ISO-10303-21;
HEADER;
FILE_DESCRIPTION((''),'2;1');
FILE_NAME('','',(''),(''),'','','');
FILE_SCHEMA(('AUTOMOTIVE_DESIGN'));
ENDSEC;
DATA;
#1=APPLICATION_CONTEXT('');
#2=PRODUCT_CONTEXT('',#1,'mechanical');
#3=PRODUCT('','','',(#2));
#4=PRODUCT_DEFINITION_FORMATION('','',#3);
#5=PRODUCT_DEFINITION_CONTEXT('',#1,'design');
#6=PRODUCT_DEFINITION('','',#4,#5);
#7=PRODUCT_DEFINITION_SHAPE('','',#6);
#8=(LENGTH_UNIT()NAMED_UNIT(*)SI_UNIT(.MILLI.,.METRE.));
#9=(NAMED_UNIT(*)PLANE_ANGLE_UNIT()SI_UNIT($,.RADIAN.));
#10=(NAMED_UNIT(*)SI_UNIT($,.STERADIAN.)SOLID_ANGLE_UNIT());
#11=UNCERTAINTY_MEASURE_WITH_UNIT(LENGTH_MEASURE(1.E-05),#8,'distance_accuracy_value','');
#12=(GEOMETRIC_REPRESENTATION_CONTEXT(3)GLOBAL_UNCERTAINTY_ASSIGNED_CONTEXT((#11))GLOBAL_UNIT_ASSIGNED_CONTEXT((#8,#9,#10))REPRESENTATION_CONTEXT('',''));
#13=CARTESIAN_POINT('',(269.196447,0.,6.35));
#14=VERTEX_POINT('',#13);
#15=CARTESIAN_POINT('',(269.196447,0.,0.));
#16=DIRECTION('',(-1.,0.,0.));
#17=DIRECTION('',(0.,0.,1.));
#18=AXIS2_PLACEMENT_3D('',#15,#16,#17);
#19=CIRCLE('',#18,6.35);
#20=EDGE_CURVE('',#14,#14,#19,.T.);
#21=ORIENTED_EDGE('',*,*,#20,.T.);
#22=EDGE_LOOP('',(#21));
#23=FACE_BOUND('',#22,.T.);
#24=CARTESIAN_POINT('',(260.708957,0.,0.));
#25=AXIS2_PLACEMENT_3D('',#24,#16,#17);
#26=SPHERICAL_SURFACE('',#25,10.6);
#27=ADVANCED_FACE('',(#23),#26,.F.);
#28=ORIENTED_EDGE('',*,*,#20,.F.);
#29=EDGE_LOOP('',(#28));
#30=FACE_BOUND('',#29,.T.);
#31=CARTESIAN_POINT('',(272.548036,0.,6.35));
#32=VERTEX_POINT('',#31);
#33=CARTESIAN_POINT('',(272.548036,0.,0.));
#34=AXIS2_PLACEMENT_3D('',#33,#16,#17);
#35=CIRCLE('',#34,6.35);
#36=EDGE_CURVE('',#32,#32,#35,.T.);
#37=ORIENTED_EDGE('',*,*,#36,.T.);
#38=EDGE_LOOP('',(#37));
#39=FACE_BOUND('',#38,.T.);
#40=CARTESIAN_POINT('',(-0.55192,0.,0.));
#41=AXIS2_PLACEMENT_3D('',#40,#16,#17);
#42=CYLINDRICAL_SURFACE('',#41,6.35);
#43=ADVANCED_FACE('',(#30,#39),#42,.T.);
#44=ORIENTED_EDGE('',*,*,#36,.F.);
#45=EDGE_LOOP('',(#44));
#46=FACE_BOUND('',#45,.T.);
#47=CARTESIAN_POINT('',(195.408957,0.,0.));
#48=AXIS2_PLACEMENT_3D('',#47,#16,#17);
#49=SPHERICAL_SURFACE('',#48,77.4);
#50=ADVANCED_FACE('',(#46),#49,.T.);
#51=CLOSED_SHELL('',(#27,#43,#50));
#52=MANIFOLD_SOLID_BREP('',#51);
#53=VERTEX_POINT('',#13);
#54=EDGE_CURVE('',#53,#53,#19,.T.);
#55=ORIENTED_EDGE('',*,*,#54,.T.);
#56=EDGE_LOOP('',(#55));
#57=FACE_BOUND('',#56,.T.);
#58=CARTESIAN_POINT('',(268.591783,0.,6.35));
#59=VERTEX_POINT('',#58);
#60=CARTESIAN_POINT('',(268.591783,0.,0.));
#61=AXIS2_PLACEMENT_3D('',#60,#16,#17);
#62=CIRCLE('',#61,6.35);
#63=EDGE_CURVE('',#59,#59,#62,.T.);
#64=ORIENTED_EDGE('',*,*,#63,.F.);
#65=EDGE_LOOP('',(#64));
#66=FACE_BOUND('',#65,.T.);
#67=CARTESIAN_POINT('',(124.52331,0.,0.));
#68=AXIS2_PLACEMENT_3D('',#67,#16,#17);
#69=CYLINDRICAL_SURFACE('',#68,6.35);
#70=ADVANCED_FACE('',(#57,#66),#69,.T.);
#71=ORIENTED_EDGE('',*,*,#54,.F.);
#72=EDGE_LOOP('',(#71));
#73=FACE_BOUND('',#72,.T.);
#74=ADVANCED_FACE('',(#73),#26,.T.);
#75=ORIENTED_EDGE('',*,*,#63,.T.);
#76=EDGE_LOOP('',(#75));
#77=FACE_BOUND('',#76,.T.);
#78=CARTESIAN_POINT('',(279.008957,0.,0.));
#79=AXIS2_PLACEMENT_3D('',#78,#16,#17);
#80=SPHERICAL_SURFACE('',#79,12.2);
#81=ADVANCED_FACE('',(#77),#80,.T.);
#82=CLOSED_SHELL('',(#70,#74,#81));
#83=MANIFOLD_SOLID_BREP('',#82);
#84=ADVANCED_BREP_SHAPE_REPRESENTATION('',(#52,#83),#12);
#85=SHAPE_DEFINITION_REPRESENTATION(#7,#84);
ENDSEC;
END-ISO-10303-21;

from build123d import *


with BuildPart() as part:
    # 草图1 one side → 旋转1 (revolve)
    with BuildSketch(Plane(origin=(0, 0, 0), x_dir=(1, 0, 0), z_dir=(0, 1, 0)), mode=Mode.PRIVATE) as revolve_1_sk:
        with BuildLine():
            ThreePointArc((268.591783329, 6.35), (267.263116652, 3.297763294), (266.80895665, 0))
            Line((266.80895665, 0), (271.30895665, 0))
            ThreePointArc((271.30895665, 0), (270.766973414, 3.346087086), (269.196447446, 6.35))
            Line((269.196447446, 6.35), (268.591783329, 6.35))
        make_face()
    revolve(revolve_1_sk.sketch.rotate(Axis((124.523309526, 0, 0), (1, 0, 0)), 180), axis=Axis((124.523309526, 0, 0), (1, 0, 0)))  # turned: the seam where the file's is


with BuildPart() as body_2:
    # 草图2 one side → 旋转3 (revolve)
    with BuildSketch(Plane(origin=(0, 0, 0), x_dir=(1, 0, 0), z_dir=(0, 1, 0)), mode=Mode.PRIVATE) as revolve_3_sk:
        with BuildLine():
            Line((272.548035592, 6.35), (269.196447446, 6.35))
            ThreePointArc((269.196447446, 6.35), (270.766973414, 3.346087086), (271.30895665, 0))
            Line((271.30895665, 0), (272.80895665, 0))
            ThreePointArc((272.80895665, 0), (272.743698876, 3.177679177), (272.548035592, 6.35))
        make_face()
    revolve(revolve_3_sk.sketch.rotate(Axis((-0.551919993, 0, 0), (1, 0, 0)), 180), axis=Axis((-0.551919993, 0, 0), (1, 0, 0)))  # turned: the seam where the file's is


solid = Compound([part.part, body_2.part])
